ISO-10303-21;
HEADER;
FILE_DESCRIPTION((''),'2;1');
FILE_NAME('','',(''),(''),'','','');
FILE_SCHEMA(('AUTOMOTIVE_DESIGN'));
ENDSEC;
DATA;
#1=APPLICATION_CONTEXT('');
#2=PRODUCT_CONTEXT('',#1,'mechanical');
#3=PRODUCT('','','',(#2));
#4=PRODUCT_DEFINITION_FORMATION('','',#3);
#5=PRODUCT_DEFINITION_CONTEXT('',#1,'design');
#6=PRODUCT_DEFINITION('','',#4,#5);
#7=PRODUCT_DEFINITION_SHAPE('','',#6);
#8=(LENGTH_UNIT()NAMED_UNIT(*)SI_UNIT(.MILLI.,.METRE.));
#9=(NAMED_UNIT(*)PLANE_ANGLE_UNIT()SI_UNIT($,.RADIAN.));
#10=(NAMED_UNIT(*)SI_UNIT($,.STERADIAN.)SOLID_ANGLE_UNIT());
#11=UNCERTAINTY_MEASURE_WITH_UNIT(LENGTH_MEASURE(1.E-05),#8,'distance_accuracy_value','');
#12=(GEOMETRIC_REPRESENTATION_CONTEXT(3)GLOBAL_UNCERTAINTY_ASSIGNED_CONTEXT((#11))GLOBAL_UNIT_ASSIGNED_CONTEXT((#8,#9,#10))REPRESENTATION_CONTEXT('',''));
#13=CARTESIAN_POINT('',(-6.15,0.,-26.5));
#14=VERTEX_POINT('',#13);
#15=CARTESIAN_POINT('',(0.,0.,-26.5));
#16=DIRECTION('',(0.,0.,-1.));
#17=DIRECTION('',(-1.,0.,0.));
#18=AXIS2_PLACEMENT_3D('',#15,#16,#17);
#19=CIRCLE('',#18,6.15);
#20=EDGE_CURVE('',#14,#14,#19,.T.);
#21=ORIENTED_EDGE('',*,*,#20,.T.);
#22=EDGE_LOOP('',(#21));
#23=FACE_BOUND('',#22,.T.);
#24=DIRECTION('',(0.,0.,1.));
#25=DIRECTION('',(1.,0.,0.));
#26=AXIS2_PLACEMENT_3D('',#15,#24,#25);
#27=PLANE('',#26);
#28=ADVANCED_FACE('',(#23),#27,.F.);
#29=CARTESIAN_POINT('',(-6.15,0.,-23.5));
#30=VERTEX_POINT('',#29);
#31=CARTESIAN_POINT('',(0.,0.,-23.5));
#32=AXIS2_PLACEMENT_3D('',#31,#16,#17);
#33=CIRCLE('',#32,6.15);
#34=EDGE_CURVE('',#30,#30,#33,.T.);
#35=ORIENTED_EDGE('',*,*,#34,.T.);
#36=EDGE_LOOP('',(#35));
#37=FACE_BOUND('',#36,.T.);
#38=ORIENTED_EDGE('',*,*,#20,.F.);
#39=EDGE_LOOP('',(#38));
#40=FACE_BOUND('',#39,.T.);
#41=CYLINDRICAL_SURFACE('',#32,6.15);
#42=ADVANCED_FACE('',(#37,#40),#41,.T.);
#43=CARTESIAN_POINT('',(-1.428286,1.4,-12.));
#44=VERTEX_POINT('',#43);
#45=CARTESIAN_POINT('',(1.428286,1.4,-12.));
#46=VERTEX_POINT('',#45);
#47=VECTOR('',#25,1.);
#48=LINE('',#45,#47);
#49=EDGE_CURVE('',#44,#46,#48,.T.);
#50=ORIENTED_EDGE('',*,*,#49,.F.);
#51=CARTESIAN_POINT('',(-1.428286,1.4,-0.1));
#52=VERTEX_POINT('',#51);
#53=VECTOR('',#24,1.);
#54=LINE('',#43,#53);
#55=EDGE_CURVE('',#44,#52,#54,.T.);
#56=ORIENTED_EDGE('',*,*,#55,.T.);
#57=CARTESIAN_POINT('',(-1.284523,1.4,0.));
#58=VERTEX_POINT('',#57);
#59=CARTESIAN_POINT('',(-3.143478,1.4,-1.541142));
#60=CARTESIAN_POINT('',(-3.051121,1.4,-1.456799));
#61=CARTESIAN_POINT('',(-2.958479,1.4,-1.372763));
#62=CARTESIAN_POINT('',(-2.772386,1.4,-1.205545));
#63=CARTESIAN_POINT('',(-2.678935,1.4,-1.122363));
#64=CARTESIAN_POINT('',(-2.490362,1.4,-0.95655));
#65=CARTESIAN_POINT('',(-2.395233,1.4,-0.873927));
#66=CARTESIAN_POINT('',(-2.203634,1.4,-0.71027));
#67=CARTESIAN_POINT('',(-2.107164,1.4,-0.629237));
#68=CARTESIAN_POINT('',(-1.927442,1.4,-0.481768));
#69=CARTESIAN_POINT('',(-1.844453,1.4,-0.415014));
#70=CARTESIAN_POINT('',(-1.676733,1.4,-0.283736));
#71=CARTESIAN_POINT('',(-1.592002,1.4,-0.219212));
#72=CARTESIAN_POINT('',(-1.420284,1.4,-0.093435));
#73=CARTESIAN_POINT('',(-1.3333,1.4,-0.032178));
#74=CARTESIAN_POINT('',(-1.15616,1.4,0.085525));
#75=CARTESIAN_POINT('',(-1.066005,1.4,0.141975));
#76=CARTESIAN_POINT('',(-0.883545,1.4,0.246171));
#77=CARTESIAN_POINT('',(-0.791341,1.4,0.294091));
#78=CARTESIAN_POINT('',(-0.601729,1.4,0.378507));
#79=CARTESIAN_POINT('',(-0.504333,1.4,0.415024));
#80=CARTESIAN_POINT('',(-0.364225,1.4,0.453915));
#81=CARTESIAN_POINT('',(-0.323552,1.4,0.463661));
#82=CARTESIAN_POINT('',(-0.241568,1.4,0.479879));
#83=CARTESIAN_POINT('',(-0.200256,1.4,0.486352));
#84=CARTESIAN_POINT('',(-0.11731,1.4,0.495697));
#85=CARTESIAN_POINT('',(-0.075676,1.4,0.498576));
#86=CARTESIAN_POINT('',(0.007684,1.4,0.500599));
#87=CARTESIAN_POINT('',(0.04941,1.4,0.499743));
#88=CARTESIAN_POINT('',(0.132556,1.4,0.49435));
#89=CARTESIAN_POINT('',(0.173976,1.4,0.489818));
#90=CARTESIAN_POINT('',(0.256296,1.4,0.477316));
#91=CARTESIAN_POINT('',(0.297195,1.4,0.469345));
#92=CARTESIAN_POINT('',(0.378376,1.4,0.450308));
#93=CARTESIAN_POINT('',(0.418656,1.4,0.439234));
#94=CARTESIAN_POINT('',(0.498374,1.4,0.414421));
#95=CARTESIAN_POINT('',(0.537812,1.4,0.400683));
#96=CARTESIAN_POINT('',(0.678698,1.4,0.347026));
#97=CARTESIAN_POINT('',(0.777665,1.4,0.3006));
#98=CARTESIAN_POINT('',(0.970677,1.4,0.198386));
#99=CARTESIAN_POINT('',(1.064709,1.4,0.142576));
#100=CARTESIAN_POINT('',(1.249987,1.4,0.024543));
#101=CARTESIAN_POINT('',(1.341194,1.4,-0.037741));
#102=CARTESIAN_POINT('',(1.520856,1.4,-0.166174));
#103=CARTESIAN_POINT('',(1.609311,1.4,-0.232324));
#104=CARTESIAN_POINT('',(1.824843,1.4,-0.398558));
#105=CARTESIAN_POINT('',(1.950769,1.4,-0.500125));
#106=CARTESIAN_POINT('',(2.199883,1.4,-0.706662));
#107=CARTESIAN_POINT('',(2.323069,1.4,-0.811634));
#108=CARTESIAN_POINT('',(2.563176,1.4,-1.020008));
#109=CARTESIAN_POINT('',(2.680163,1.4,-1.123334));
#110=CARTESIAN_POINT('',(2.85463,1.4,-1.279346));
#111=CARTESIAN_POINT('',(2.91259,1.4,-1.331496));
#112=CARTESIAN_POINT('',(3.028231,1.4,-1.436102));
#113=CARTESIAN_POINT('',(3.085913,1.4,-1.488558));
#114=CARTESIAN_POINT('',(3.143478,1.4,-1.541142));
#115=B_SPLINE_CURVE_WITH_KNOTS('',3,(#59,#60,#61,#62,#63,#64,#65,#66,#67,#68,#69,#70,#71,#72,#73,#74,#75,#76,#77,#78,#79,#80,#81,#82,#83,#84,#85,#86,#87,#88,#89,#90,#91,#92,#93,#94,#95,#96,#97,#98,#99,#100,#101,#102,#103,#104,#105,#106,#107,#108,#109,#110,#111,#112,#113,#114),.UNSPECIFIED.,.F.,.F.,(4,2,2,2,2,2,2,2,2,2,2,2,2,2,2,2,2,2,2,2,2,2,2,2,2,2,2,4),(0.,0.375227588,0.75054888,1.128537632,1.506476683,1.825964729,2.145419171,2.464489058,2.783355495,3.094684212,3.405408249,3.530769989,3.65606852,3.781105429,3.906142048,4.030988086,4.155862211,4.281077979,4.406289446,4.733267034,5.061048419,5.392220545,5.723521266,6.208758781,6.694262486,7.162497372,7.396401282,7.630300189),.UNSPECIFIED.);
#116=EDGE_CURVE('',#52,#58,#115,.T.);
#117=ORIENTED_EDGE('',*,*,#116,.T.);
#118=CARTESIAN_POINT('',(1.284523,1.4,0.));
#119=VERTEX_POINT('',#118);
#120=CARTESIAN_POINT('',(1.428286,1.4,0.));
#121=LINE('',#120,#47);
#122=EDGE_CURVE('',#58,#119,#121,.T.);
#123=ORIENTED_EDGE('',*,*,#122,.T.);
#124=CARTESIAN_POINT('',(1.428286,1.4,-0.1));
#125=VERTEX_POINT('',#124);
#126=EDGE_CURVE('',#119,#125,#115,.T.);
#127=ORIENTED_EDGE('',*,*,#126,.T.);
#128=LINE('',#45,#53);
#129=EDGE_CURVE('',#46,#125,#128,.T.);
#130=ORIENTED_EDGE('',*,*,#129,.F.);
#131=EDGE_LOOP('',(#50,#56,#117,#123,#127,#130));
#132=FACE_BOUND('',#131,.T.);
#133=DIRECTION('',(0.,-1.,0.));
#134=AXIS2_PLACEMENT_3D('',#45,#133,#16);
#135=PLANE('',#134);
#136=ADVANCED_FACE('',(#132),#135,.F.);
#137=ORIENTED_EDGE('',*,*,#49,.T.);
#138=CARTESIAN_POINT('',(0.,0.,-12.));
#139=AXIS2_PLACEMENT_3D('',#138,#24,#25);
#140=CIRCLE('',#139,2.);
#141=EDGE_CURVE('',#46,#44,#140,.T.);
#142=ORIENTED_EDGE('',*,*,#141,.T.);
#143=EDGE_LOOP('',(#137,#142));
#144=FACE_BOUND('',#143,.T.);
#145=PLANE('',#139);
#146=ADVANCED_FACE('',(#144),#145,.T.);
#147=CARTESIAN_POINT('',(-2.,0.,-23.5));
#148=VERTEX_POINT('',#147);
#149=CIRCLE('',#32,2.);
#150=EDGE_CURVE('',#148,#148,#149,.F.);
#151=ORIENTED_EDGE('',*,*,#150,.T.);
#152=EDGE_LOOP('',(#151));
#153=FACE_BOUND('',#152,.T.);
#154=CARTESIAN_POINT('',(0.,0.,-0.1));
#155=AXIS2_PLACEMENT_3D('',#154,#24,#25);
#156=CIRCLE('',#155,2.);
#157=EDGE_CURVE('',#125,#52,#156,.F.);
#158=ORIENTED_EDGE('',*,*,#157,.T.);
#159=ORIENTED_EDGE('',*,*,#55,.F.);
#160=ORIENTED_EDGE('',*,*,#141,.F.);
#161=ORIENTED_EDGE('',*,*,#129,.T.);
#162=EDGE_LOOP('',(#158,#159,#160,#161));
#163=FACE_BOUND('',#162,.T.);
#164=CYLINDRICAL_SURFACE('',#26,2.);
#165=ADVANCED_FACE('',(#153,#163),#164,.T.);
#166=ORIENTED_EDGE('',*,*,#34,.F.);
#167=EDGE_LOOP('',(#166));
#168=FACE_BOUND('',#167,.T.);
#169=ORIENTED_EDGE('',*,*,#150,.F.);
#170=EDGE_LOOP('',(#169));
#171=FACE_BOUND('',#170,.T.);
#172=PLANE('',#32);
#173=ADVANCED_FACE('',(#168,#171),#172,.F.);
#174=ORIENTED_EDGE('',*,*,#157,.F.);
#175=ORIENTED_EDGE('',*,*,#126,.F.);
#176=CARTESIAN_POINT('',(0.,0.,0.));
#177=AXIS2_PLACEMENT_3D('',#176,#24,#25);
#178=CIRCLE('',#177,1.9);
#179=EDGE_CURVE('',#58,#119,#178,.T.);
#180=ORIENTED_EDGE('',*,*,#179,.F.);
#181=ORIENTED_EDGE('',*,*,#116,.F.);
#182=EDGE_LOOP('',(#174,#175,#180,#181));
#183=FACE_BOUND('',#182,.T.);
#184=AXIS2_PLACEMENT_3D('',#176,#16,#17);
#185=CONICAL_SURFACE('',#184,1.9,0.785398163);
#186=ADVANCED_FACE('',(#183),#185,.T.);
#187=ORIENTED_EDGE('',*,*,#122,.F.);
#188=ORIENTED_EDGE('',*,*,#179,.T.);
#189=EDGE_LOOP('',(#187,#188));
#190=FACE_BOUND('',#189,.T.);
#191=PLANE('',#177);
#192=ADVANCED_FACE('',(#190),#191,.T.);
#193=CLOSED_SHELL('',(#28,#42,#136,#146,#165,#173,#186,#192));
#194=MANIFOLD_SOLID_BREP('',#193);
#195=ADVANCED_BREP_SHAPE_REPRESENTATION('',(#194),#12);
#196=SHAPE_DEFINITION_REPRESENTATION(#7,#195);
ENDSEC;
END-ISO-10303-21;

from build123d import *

# Parameters (mm, degrees)
SKETCH1_R           = 2
BOSS_EXTRUDE1_DEPTH = 26.5
SKETCH2_R           = 6.15
BOSS_EXTRUDE2_DEPTH = 3
CHAMFER1_SIZE       = 0.1
CUT_EXTRUDE2_DEPTH  = 12


with BuildPart() as part:
    # Sketch1 → Boss-Extrude1 (new body)
    with BuildSketch(Plane.XY):
        Circle(SKETCH1_R)
    extrude(amount=-BOSS_EXTRUDE1_DEPTH)

    # Sketch2 → Boss-Extrude2 (add)
    with BuildSketch(Plane(origin=(0, 0, -26.5), x_dir=(-1, 0, 0), z_dir=(0, 0, -1))):
        Circle(SKETCH2_R)
    extrude(amount=-BOSS_EXTRUDE2_DEPTH)

    # Chamfer1
    chamfer1_edges = [part.edges().sort_by_distance(p)[0] for p in [
        (-2, 0, 0),
    ]]
    chamfer(chamfer1_edges, length=CHAMFER1_SIZE)

    # Sketch3 → Cut-Extrude2 (cut)
    with BuildSketch(Plane.XY):
        with BuildLine():
            Line((1.428285686, 1.4), (-1.428285686, 1.4))
            ThreePointArc((-1.428285686, 1.4), (0, 2), (1.428285686, 1.4))
        make_face()
    extrude(amount=-CUT_EXTRUDE2_DEPTH, mode=Mode.SUBTRACT)


solid = part.part
